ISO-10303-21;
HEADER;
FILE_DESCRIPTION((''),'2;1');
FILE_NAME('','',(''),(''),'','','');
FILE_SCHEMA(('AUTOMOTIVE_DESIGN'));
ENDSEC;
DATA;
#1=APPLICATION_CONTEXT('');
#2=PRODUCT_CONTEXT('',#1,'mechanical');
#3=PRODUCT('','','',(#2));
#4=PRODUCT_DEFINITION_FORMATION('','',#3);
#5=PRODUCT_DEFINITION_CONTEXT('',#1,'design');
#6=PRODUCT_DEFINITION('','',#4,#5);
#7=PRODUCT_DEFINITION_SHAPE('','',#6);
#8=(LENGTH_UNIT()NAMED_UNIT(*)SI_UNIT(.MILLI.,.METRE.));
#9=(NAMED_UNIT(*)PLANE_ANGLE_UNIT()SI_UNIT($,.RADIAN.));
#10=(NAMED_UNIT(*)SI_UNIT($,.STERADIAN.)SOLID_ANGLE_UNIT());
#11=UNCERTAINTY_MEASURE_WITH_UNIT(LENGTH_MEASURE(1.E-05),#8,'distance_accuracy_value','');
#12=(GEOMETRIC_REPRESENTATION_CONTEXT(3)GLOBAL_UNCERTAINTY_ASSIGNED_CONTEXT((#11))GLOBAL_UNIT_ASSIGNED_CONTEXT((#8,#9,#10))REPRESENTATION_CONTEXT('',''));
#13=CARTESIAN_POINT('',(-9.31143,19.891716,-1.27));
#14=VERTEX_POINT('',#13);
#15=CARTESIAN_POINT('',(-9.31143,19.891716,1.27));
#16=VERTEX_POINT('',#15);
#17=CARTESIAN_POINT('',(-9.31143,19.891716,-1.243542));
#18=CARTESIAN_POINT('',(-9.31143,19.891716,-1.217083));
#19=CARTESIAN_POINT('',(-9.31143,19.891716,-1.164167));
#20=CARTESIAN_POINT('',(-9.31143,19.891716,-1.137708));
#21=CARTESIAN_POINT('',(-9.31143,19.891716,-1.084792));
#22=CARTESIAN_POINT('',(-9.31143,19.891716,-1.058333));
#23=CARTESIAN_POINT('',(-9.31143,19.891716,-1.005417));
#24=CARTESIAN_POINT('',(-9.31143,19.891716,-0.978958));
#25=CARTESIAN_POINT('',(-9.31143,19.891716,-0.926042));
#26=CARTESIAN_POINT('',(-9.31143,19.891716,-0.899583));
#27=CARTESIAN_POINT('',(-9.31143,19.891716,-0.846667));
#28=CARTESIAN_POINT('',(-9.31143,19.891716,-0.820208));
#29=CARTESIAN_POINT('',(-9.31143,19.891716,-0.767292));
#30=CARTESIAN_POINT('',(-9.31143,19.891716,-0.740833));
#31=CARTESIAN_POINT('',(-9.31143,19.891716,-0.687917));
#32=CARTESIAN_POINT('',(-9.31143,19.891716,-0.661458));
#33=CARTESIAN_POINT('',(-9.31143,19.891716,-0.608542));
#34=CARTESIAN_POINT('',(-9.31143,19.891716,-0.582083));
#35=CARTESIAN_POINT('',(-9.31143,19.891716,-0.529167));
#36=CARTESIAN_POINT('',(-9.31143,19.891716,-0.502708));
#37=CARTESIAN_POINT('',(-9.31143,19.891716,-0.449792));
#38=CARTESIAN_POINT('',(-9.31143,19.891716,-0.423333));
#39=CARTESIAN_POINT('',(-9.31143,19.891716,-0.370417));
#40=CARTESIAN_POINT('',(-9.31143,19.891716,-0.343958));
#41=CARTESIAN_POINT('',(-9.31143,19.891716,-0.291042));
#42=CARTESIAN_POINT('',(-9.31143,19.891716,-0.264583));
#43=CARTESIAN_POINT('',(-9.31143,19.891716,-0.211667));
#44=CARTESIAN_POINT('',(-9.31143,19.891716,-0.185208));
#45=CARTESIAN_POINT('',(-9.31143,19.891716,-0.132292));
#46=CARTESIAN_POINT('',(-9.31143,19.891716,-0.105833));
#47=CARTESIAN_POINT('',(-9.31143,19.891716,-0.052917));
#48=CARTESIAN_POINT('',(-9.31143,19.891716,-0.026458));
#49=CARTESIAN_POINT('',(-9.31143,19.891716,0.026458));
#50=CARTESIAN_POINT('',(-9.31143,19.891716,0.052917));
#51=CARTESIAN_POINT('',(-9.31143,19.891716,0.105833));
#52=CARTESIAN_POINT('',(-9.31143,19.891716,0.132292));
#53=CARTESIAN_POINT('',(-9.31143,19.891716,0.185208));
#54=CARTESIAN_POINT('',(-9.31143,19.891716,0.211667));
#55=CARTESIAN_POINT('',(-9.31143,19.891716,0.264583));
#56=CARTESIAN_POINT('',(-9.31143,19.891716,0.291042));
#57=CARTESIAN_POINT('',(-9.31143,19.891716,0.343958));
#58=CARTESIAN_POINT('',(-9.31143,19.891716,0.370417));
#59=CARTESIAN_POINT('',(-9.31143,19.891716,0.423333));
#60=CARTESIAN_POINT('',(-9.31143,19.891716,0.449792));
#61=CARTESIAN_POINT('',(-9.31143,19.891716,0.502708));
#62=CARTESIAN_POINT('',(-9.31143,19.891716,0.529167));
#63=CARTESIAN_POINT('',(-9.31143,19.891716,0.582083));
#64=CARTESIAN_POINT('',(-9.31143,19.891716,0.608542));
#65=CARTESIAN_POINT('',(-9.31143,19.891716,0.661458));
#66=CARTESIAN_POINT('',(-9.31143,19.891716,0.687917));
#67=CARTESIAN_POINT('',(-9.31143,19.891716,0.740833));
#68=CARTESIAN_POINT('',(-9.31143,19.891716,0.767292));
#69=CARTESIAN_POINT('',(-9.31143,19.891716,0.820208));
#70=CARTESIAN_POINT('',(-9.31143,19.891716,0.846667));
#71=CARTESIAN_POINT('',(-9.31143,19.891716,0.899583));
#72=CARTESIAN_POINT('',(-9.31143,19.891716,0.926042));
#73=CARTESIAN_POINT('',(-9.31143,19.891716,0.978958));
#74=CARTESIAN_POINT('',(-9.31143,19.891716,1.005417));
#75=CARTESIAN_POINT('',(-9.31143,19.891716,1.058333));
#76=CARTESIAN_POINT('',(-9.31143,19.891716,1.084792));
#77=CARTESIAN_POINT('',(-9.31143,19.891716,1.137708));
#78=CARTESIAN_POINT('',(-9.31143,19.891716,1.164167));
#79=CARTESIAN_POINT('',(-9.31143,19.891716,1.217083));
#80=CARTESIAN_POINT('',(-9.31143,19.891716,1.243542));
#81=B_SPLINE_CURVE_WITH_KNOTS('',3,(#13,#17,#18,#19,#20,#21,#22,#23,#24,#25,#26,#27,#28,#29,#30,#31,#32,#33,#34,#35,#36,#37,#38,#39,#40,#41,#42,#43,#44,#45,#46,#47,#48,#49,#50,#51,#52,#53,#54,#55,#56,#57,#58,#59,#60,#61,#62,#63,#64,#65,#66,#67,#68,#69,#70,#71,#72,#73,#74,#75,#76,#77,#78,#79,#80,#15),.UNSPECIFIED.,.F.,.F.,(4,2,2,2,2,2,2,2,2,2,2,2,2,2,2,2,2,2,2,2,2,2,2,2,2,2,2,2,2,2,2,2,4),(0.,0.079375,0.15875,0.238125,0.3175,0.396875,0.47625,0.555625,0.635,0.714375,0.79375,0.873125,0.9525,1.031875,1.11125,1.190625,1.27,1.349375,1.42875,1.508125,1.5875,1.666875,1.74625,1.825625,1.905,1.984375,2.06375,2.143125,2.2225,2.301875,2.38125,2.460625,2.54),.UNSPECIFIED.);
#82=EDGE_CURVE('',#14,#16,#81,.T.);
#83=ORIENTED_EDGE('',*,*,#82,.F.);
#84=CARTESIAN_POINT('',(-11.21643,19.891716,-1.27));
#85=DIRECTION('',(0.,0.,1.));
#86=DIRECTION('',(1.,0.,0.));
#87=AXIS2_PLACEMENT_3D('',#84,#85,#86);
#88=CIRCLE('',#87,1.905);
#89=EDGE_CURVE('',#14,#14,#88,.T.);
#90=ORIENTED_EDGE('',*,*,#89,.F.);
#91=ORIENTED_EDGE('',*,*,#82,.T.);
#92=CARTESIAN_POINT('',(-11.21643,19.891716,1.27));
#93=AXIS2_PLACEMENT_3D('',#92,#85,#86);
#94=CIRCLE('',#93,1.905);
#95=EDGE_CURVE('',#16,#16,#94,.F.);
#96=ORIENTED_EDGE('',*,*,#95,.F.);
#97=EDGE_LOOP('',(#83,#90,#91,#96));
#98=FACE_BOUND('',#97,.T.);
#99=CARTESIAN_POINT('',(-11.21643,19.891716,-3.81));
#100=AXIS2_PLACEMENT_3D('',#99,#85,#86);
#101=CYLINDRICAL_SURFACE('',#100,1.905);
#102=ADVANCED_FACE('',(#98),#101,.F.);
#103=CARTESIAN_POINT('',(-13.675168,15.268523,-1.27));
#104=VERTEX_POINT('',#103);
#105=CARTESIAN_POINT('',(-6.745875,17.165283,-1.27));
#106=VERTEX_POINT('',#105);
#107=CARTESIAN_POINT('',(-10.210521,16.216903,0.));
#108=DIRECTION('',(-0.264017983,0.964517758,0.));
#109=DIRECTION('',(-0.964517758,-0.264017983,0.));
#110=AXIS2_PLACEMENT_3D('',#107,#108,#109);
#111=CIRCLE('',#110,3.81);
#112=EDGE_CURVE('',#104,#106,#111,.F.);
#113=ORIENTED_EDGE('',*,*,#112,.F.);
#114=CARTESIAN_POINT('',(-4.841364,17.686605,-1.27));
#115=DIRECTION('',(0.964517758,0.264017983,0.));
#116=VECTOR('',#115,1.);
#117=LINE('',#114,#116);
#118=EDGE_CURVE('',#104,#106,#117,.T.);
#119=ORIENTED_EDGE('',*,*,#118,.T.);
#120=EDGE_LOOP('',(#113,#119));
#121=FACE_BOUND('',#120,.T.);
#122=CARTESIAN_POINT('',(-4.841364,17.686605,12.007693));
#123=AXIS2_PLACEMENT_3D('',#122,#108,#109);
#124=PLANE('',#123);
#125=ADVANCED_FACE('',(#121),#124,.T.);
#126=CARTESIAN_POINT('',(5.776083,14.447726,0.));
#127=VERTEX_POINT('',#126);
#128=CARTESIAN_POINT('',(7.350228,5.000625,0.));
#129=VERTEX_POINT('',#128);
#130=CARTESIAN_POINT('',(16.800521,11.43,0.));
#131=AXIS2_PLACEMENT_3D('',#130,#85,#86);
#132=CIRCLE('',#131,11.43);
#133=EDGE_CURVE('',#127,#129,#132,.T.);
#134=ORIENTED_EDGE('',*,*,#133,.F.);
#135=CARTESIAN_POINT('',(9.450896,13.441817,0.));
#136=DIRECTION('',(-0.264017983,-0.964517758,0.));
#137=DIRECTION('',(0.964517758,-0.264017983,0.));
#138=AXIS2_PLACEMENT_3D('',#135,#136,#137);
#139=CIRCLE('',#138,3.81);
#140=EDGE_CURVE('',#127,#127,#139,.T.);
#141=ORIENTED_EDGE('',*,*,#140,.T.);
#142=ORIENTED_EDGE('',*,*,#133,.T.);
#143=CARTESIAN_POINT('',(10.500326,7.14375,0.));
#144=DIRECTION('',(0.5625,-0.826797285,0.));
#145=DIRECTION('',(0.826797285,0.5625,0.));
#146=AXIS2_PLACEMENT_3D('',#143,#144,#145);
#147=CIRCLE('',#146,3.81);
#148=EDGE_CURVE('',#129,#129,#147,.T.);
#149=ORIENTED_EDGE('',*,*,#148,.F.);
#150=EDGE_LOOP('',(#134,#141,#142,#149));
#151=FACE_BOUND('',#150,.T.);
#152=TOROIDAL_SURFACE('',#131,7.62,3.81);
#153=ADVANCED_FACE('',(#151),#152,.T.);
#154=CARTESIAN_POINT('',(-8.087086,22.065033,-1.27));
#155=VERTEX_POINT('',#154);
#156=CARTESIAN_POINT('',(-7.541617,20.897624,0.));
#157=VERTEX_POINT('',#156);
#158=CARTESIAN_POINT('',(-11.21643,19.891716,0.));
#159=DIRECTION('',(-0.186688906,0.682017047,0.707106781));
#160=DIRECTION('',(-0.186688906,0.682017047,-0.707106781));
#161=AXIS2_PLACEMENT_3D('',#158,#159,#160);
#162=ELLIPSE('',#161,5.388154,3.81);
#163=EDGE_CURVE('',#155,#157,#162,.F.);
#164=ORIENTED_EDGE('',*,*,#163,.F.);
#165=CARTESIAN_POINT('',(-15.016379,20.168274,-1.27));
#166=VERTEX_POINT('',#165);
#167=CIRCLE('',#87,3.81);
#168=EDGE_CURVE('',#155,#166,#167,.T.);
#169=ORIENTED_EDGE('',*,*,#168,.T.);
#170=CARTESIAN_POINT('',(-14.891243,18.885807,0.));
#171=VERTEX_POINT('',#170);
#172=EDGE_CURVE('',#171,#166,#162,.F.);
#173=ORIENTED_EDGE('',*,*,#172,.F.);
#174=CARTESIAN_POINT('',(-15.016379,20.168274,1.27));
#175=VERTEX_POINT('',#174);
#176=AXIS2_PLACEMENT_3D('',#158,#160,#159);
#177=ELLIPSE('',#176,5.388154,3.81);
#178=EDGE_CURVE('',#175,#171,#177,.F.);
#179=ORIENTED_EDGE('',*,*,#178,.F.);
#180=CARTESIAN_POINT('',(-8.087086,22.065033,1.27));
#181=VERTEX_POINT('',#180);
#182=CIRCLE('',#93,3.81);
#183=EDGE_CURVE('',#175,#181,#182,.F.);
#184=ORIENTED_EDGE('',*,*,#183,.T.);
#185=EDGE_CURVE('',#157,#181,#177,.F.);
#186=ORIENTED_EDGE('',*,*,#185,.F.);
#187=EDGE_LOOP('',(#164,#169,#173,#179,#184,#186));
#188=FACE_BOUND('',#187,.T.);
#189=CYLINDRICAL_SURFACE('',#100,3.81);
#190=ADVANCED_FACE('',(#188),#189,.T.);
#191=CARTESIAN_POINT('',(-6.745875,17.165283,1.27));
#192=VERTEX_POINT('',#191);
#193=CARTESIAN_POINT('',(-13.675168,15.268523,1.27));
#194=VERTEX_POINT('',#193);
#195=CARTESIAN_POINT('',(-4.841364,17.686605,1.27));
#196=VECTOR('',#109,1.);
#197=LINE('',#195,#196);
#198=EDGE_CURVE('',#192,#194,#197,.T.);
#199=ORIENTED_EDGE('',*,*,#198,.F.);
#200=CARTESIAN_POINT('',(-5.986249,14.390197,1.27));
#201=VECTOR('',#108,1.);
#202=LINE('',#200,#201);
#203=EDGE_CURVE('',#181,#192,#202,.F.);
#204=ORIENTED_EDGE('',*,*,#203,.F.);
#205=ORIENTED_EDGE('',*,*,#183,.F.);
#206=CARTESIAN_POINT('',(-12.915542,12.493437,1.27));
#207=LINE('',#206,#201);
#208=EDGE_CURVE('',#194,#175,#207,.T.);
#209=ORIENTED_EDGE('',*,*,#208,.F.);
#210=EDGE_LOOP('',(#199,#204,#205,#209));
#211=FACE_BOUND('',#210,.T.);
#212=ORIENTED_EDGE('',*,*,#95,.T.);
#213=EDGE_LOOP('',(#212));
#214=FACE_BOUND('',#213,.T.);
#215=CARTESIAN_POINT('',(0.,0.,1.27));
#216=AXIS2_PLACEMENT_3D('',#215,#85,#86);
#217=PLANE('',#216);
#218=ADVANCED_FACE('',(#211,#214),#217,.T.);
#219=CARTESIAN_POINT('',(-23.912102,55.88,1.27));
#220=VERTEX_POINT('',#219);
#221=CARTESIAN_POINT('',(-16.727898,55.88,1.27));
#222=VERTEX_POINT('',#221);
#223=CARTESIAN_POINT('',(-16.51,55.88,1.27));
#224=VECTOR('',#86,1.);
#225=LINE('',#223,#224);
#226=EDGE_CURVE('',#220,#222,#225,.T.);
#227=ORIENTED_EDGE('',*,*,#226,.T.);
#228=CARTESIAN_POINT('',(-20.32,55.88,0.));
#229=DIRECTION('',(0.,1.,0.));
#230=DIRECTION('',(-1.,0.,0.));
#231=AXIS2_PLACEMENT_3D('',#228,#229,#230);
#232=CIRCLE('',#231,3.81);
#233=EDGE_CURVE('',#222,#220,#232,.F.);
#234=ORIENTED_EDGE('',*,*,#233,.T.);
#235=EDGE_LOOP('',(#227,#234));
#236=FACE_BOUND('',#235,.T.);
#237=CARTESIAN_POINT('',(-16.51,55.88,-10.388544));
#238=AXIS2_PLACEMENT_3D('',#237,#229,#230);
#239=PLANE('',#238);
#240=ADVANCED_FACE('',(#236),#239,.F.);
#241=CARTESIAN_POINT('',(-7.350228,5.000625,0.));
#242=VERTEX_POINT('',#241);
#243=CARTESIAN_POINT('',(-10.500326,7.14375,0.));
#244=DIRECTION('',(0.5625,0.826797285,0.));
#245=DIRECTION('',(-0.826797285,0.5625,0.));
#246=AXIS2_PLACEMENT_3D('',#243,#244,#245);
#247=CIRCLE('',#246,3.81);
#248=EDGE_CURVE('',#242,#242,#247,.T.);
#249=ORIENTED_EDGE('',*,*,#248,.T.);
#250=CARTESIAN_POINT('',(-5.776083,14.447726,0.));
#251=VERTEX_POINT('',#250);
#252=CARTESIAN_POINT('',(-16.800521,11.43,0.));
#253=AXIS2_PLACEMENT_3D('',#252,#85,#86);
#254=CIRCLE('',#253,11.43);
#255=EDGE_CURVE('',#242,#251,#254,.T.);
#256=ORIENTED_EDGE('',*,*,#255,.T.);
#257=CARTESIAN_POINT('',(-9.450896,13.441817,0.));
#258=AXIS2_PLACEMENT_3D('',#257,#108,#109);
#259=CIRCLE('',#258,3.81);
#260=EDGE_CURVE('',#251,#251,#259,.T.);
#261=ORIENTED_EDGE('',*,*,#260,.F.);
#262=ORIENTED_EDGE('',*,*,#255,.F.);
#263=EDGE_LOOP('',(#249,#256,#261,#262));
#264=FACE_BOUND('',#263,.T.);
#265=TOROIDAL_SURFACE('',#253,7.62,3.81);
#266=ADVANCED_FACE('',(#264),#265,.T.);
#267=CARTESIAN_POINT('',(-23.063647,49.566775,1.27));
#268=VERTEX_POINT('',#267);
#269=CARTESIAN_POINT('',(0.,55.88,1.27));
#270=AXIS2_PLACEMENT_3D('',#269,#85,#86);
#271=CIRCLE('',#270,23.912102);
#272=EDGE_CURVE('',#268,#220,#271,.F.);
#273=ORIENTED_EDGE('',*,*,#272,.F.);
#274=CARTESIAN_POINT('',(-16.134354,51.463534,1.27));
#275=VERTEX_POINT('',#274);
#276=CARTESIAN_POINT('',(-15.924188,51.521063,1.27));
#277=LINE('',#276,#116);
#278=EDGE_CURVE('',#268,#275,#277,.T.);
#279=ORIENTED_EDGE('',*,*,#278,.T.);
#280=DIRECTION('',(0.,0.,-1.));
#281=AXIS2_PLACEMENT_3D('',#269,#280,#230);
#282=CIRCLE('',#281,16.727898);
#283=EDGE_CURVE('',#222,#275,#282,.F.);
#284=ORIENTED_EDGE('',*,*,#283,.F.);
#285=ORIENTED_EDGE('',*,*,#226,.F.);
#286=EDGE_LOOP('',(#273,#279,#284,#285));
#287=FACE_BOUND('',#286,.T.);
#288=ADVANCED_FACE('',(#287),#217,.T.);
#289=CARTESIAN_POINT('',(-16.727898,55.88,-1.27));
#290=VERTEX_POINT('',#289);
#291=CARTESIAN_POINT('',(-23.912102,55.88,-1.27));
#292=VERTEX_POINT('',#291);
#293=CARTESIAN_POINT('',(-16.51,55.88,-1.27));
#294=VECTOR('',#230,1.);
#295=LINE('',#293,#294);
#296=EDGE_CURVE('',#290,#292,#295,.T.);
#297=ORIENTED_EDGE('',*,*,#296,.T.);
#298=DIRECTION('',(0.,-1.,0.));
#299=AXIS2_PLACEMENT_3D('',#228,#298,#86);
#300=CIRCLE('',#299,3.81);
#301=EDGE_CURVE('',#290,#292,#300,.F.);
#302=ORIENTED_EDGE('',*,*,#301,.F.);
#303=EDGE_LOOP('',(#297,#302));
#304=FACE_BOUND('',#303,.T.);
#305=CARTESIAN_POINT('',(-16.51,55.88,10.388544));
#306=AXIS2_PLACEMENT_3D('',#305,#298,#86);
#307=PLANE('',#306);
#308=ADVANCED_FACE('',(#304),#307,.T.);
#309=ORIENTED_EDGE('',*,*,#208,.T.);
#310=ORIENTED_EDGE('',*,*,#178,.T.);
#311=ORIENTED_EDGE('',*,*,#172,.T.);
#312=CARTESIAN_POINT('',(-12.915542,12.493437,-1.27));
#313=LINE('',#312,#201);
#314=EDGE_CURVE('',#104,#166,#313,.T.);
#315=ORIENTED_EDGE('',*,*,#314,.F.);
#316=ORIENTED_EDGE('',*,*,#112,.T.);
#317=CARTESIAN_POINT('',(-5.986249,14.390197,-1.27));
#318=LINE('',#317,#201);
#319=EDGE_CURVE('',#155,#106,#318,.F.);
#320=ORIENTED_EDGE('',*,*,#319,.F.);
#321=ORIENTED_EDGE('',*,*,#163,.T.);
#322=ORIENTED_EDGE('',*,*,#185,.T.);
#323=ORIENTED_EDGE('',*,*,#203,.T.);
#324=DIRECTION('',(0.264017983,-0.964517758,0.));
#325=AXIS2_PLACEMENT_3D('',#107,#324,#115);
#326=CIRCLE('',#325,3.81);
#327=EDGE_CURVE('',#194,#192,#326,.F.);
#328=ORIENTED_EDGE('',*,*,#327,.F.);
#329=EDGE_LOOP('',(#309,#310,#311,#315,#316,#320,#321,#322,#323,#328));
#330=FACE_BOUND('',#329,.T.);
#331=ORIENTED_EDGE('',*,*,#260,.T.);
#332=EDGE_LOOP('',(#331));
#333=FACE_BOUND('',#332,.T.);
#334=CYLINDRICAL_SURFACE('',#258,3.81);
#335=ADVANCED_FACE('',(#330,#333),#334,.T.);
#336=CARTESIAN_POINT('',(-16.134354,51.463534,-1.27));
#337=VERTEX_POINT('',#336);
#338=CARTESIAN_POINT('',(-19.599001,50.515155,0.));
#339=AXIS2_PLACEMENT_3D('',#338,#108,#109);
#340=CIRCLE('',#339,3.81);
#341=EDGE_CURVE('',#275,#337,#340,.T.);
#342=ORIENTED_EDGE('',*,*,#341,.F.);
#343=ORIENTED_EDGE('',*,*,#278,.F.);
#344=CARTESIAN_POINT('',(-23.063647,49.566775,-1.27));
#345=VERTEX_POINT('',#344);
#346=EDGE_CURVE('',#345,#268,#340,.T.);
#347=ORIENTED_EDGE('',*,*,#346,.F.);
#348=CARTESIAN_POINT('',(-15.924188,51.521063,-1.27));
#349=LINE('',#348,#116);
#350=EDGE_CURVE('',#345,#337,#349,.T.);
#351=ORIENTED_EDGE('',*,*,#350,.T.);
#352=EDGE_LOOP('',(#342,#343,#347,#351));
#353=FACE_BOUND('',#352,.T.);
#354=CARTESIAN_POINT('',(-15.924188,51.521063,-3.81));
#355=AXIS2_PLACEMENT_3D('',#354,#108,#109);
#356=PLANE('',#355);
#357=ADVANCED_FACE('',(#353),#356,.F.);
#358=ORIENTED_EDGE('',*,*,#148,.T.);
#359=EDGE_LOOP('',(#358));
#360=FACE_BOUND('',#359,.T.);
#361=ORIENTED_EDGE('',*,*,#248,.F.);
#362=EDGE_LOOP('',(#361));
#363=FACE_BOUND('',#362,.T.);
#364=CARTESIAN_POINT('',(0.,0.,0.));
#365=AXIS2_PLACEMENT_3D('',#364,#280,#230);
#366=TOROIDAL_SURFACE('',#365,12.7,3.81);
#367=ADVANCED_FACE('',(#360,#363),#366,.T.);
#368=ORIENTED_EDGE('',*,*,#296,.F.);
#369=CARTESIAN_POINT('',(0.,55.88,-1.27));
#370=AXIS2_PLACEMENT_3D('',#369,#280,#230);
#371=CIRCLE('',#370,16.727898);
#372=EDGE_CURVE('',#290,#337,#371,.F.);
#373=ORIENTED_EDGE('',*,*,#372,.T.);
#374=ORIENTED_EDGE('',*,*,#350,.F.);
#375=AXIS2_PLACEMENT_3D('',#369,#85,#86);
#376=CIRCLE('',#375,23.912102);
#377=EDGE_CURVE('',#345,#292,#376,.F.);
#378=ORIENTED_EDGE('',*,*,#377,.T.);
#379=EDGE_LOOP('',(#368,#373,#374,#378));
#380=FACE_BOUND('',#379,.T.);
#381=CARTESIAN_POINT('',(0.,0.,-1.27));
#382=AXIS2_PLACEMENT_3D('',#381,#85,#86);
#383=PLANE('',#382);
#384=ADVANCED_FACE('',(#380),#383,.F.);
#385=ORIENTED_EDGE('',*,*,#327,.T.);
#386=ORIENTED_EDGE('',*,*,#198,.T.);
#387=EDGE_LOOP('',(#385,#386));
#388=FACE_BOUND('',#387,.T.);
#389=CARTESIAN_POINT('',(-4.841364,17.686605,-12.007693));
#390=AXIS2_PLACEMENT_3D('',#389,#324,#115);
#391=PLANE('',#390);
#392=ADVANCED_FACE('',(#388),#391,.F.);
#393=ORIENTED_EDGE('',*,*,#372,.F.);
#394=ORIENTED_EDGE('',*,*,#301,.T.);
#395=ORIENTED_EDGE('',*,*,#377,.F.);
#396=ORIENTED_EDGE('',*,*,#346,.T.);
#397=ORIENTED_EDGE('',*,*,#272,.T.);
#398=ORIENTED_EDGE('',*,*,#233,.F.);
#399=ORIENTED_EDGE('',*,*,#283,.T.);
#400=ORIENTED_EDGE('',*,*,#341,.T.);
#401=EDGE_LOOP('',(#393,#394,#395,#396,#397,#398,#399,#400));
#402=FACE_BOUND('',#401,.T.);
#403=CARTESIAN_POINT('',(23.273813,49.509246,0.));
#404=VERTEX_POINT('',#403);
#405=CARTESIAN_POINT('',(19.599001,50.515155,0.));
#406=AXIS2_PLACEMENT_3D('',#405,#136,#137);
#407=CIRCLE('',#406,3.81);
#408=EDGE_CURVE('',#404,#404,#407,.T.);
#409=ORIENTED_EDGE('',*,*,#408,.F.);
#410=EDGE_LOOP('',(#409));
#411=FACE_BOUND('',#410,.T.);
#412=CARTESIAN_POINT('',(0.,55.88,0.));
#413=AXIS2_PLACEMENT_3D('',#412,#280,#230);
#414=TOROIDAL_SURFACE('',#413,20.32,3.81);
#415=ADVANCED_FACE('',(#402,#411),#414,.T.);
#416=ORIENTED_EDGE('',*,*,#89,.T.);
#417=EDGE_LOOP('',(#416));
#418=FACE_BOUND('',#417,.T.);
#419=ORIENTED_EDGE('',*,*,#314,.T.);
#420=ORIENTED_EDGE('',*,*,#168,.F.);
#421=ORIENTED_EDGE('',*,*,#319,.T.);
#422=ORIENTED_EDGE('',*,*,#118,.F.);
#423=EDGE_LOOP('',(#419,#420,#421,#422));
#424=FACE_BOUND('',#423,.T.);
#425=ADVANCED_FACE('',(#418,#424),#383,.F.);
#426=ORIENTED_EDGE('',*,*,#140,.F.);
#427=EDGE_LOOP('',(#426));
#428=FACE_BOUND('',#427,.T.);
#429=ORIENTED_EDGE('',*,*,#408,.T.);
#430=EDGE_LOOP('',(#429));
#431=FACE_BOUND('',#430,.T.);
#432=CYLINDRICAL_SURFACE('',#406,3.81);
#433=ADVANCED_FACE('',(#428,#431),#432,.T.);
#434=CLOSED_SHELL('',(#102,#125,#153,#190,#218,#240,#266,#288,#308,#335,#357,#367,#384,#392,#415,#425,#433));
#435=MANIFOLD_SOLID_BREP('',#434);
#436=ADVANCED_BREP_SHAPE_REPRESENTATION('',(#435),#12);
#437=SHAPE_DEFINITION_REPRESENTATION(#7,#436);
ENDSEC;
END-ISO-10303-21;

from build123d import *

# Parameters (mm, degrees)
SKETCH2_R               = 3.81
CUT_EXTRUDE2_DEPTH      = 89.396114884
CUT_EXTRUDE2_DEPTH_BACK = 89.396114884
CUT_EXTRUDE3_START      = -23.73
CUT_EXTRUDE3_DEPTH      = 113.126114884
SKETCH7_R               = 1.905
CUT_EXTRUDE4_DEPTH      = 89.396114884
CUT_EXTRUDE4_DEPTH_BACK = 89.396114884
CUT_EXTRUDE5_START      = -23.73
SKETCH7_3_R             = 1.905
CUT_EXTRUDE5_DEPTH      = 113.126114884


with BuildPart() as part:
    # Sweep1: sweep along a path in Sketch1
    with BuildLine(Plane.XY) as sweep1_path:
        Line((15.924188179, 51.521063108), (5.776082855, 14.447725541))
        ThreePointArc((5.776082855, 14.447725541), (5.525966339, 9.551351248), (7.350227861, 5.000625))
        ThreePointArc((7.350227861, 5.000625), (0, -8.89), (-7.350227861, 5.000625))
        ThreePointArc((-7.350227861, 5.000625), (-5.525966339, 9.551351248), (-5.776082855, 14.447725541))
        Line((-5.776082855, 14.447725541), (-15.924188179, 51.521063108))
        ThreePointArc((-15.924188179, 51.521063108), (0, 72.39), (15.924188179, 51.521063108))
    # Sketch2 → Sweep1 (sweep)
    with BuildSketch(Plane(origin=(15.924188179, 51.521063108, 0), x_dir=(-0.9645177576761529, 0.26401798258332, 0), z_dir=(-0.26401798258332, -0.9645177576761529, 0))):
        with Locations((-3.81, 0)):
            Circle(SKETCH2_R)
    sweep(path=sweep1_path.line)

    # Sketch4 → Cut-Extrude2 (cut, two sides)
    with BuildSketch(Plane.XY.offset(25)) as cut_extrude2_sk:
        Polygon((-15.924188179, 51.521063108), (-23.273813493, 49.50924608), (-15.897151059, 22.560619931), (-8.547525746, 24.572436958), align=None)
    extrude(amount=CUT_EXTRUDE2_DEPTH, mode=Mode.SUBTRACT)
    extrude(cut_extrude2_sk.sketch, amount=-CUT_EXTRUDE2_DEPTH_BACK, mode=Mode.SUBTRACT)

    # Sketch5 → Cut-Extrude3 (cut)
    with BuildSketch(Plane.XY.offset(25).offset(CUT_EXTRUDE3_START)):
        with BuildLine():
            Line((-16.51, 55.88), (-24.13, 55.88))
            ThreePointArc((-24.13, 55.88), (-23.914995501, 52.665985344), (-23.273813493, 49.50924608))
            Line((-23.273813493, 49.50924608), (-15.924188179, 51.521063108))
            ThreePointArc((-15.924188179, 51.521063108), (-16.362891658, 53.68093734), (-16.51, 55.88))
        make_face()
    cut_extrude3 = extrude(amount=CUT_EXTRUDE3_DEPTH, mode=Mode.SUBTRACT)

    # Mirror1: Cut-Extrude3 across plane
    add(cut_extrude3.mirror(Plane.XY), mode=Mode.SUBTRACT)

    # Sketch7 → Cut-Extrude4 (cut, two sides)
    with BuildSketch(Plane.XY.offset(25)) as cut_extrude4_sk:
        with BuildLine():
            Line((-15.897151059, 22.560619931), (-14.891242546, 18.885807274))
            ThreePointArc((-14.891242546, 18.885807274), (-14.526199529, 21.778916076), (-12.222338245, 23.566528488))
            Line((-12.222338245, 23.566528488), (-15.897151059, 22.560619931))
        make_face()
        with BuildLine():
            Line((-8.547525746, 24.572436958), (-12.222338245, 23.566528488))
            ThreePointArc((-12.222338245, 23.566528488), (-9.3292296, 23.201485428), (-7.541617232, 20.897624301))
            Line((-7.541617232, 20.897624301), (-8.547525746, 24.572436958))
        make_face()
        with Locations((-11.216429889, 19.891715788)):
            Circle(SKETCH7_R)
    extrude(amount=CUT_EXTRUDE4_DEPTH, mode=Mode.SUBTRACT)
    extrude(cut_extrude4_sk.sketch, amount=-CUT_EXTRUDE4_DEPTH_BACK, mode=Mode.SUBTRACT)

    # Sketch7<3> → Cut-Extrude5 (cut)
    with BuildSketch(Plane.XY.offset(25).offset(CUT_EXTRUDE5_START)):
        with BuildLine():
            Line((-6.535708719, 17.222811645), (-7.541617232, 20.897624301))
            ThreePointArc((-7.541617232, 20.897624301), (-12.222338403, 23.566528444), (-14.891242546, 18.885807274))
            Line((-14.891242546, 18.885807274), (-13.885334032, 15.210994617))
            Line((-13.885334032, 15.210994617), (-6.535708719, 17.222811645))
        make_face()
        with Locations((-11.216429889, 19.891715788)):
            Circle(SKETCH7_3_R, mode=Mode.SUBTRACT)
    cut_extrude5 = extrude(amount=CUT_EXTRUDE5_DEPTH, mode=Mode.SUBTRACT)

    # Mirror2: Cut-Extrude5 across plane
    add(cut_extrude5.mirror(Plane.XY), mode=Mode.SUBTRACT)


solid = part.part
